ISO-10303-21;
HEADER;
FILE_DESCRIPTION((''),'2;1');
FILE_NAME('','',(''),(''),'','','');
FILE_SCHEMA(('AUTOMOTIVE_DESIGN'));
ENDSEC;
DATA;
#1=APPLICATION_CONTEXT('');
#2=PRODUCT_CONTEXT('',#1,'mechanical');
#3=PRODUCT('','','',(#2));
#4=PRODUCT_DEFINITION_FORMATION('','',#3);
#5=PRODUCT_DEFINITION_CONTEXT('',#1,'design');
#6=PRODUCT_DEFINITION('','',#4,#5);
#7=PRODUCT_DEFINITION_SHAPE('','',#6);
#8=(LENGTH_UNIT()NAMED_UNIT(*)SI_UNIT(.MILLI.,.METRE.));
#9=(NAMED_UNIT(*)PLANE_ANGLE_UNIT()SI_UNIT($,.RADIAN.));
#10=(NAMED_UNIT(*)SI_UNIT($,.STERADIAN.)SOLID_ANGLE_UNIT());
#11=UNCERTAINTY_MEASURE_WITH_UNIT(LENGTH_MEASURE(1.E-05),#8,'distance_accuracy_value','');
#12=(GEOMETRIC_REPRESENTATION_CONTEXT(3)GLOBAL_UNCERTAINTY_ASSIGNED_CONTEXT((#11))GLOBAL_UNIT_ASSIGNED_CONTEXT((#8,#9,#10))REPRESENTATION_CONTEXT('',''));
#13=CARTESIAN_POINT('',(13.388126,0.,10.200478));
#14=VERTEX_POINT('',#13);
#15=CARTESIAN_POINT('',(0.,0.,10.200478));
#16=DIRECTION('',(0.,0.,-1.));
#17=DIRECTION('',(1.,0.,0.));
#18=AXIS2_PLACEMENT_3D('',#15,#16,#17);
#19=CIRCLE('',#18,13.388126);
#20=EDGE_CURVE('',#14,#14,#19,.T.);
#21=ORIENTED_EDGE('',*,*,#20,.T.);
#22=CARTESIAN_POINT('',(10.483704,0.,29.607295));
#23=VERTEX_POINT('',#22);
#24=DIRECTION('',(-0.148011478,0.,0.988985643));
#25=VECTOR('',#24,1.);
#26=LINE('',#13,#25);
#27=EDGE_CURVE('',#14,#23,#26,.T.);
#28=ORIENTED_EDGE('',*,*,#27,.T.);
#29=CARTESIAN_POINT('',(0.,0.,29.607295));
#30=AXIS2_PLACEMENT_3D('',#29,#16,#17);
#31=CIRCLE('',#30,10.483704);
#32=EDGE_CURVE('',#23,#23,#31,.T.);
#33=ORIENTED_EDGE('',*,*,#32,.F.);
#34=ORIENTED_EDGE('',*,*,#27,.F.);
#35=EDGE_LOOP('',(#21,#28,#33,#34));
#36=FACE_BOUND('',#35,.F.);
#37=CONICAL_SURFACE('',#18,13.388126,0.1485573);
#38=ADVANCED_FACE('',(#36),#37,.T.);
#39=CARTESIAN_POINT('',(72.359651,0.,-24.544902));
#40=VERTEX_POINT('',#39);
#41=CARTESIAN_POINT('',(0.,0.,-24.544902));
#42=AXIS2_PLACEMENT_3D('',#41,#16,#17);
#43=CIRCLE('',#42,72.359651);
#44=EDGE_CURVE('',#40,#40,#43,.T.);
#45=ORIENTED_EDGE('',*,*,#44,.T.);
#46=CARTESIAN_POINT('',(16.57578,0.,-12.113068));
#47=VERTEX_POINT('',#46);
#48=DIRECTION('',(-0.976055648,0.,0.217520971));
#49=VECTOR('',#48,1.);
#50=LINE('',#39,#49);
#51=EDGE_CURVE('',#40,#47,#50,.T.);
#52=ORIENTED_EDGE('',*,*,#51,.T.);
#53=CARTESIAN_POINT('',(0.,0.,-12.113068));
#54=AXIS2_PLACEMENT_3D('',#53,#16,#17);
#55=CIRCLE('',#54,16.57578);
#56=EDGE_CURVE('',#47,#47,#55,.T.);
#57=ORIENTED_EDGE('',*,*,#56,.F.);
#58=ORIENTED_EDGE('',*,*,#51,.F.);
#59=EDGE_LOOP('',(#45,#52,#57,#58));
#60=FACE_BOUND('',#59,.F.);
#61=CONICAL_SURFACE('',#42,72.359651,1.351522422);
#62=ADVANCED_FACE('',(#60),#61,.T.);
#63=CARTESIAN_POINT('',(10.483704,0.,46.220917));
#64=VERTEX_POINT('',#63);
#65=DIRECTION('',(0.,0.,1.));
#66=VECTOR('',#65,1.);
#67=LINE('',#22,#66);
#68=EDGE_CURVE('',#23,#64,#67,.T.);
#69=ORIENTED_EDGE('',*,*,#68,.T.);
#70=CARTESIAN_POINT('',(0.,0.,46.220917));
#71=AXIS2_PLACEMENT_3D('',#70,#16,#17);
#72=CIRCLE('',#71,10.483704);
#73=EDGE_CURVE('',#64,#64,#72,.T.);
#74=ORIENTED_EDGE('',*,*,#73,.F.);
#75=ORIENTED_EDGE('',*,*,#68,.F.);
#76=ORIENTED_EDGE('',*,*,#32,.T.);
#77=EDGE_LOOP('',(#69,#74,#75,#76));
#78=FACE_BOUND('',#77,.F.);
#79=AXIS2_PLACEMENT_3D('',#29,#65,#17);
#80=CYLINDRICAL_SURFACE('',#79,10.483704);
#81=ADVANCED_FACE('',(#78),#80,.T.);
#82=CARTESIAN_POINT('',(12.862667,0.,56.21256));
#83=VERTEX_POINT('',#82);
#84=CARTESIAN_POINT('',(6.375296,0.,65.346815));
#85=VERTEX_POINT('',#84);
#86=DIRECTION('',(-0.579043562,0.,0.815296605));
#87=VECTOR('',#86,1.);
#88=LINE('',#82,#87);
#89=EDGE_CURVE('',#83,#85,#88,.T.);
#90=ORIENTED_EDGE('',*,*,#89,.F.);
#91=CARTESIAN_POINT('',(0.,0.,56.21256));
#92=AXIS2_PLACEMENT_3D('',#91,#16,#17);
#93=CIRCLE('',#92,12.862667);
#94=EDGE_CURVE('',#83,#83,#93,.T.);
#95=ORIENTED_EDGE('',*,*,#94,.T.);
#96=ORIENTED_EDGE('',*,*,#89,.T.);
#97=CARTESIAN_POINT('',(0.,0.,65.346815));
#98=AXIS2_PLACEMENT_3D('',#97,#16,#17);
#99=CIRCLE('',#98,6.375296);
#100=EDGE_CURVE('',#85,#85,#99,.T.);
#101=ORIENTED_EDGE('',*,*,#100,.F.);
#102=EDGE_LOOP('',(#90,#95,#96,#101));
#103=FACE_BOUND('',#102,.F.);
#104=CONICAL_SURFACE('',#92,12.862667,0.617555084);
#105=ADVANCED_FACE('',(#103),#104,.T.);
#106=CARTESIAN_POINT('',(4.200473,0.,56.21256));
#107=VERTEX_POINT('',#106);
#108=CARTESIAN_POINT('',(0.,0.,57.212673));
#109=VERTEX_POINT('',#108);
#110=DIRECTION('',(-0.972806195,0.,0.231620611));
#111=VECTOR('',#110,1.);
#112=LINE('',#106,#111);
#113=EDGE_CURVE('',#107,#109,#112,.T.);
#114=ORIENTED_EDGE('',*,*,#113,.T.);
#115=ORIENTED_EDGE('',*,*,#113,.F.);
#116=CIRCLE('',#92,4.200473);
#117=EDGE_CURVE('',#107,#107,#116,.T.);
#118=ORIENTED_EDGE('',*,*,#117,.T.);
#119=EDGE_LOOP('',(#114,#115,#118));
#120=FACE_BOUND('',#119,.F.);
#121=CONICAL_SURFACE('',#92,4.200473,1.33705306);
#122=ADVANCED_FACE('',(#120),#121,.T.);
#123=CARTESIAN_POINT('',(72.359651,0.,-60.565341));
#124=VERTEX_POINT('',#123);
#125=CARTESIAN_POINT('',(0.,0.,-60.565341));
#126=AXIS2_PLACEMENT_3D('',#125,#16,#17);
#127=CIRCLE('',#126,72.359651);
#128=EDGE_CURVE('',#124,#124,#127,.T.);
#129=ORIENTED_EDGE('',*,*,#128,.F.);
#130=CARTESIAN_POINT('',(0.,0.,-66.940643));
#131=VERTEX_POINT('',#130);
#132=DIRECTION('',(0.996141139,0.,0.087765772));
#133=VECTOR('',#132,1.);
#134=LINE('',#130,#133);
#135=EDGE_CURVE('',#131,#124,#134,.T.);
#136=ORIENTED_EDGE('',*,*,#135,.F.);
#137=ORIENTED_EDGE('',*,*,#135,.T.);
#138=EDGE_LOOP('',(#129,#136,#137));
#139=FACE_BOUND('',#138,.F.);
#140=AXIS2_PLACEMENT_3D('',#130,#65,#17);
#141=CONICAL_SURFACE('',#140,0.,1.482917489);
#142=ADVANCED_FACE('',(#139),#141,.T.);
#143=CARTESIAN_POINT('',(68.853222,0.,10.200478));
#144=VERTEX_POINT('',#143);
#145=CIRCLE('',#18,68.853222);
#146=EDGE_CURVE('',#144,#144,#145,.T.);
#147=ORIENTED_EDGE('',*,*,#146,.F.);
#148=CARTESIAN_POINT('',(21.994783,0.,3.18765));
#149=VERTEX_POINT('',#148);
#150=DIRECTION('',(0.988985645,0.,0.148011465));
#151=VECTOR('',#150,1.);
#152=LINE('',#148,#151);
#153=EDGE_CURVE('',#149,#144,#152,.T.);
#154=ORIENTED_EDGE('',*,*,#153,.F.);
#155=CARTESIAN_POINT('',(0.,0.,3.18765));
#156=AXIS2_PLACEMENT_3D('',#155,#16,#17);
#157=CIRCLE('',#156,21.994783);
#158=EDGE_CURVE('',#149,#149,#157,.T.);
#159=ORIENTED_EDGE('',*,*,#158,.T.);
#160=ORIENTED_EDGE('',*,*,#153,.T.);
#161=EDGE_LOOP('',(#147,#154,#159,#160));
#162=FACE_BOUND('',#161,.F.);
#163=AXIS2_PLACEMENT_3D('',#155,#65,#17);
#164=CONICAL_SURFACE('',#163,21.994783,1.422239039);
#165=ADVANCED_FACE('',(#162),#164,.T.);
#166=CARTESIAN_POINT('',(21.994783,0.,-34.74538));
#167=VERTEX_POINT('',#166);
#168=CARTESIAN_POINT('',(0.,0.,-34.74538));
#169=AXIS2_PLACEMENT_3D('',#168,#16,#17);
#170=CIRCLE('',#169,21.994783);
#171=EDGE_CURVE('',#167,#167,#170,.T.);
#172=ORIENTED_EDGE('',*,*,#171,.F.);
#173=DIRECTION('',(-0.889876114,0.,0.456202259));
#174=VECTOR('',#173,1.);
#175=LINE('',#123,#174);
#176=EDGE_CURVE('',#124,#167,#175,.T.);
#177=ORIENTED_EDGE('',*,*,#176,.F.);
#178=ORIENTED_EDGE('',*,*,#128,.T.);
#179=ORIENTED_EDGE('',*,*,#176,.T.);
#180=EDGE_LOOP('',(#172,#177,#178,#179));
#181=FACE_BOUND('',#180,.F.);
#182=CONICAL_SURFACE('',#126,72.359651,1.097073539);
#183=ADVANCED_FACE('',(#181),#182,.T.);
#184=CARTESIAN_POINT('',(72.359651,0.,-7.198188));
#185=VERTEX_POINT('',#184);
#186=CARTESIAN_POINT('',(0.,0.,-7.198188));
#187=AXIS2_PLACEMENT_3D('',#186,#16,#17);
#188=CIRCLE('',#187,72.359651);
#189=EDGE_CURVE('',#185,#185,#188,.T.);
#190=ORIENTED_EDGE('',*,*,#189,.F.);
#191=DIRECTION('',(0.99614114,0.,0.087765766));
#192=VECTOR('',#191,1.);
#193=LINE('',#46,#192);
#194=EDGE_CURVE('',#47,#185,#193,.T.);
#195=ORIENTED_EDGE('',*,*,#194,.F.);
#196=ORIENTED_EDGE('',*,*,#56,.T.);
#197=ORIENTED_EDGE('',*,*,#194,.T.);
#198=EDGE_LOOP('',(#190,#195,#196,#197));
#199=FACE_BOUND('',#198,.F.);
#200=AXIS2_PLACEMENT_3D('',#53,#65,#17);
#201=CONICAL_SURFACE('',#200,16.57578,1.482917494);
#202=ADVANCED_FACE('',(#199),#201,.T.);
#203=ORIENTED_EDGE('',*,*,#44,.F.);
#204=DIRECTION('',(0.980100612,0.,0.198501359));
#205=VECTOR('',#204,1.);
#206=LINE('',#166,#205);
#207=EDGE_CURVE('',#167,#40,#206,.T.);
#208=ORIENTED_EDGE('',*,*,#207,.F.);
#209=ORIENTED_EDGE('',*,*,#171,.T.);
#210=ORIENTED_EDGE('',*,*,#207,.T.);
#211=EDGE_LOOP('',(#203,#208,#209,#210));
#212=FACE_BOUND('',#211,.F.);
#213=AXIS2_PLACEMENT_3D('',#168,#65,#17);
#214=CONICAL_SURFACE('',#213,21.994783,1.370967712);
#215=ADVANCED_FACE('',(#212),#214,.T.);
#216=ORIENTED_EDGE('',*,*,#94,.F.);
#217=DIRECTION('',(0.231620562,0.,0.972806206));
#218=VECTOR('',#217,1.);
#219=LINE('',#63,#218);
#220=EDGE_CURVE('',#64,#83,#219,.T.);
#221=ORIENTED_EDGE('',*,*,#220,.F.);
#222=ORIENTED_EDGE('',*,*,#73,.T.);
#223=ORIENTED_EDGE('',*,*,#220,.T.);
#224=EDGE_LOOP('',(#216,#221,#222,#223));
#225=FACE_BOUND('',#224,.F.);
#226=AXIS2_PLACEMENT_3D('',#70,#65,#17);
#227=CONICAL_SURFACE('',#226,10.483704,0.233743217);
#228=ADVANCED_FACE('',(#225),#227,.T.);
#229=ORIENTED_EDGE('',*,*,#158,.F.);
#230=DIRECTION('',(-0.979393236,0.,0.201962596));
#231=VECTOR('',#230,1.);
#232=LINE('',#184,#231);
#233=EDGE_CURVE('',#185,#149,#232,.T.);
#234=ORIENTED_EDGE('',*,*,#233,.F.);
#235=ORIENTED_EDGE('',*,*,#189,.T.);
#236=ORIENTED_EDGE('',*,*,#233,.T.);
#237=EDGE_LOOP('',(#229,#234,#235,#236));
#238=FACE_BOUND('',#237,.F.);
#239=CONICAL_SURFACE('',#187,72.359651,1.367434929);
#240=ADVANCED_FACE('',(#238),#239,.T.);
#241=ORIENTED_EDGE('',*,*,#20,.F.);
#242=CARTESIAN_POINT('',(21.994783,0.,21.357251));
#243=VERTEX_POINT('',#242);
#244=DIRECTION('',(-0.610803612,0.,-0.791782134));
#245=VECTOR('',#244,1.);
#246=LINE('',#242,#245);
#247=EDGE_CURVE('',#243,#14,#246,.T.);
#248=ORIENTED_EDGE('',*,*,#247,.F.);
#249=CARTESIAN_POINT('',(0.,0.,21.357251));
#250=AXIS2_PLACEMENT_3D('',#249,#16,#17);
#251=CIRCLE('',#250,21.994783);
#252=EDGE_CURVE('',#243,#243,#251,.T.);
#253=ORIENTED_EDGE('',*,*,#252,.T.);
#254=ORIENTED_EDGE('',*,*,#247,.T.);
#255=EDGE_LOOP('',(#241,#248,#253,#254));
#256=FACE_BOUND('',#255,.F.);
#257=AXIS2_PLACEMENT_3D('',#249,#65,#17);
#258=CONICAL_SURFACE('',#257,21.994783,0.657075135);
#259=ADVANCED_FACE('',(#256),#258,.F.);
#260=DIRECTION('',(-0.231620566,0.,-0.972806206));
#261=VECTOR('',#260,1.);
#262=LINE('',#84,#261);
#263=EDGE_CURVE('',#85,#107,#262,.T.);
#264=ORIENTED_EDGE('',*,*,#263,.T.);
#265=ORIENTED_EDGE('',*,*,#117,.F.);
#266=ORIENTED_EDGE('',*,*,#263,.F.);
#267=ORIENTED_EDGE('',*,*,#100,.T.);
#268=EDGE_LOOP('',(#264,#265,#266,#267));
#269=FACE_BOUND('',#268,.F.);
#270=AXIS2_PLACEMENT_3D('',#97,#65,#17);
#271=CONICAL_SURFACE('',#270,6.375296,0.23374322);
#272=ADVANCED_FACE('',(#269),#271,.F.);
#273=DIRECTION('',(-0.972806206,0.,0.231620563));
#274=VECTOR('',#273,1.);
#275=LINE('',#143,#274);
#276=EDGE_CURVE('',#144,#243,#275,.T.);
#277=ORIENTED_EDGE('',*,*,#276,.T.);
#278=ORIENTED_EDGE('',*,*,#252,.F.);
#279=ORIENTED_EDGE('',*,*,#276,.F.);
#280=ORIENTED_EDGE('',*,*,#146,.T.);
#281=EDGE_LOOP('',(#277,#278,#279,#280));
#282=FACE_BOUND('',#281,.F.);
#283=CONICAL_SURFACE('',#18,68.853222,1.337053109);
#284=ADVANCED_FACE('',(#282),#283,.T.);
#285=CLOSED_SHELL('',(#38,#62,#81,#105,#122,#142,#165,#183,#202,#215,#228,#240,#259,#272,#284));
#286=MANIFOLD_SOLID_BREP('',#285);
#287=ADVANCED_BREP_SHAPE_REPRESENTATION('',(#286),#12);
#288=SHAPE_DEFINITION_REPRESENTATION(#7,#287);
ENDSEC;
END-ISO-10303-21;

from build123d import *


with BuildPart() as f1:
    # F0 (on Front) → F1 (revolve)
    with BuildSketch(Plane.XZ):
        Polygon((0, 57.212673), (0, -66.940643), (72.359651, -60.565341), (21.994783, -34.74538), (72.359651, -24.544902), (16.57578, -12.113068), (72.359651, -7.198188), (21.994783, 3.18765), (68.853222, 10.200478), (21.994783, 21.357251), (13.388126, 10.200478), (10.483704, 29.607295), (10.483704, 46.220917), (12.862667, 56.21256), (6.375296, 65.346815), (4.200473, 56.21256), align=None)
    revolve(axis=Axis((0, 0, -4.863985), (0, 0, -1)))


solid = f1.part
